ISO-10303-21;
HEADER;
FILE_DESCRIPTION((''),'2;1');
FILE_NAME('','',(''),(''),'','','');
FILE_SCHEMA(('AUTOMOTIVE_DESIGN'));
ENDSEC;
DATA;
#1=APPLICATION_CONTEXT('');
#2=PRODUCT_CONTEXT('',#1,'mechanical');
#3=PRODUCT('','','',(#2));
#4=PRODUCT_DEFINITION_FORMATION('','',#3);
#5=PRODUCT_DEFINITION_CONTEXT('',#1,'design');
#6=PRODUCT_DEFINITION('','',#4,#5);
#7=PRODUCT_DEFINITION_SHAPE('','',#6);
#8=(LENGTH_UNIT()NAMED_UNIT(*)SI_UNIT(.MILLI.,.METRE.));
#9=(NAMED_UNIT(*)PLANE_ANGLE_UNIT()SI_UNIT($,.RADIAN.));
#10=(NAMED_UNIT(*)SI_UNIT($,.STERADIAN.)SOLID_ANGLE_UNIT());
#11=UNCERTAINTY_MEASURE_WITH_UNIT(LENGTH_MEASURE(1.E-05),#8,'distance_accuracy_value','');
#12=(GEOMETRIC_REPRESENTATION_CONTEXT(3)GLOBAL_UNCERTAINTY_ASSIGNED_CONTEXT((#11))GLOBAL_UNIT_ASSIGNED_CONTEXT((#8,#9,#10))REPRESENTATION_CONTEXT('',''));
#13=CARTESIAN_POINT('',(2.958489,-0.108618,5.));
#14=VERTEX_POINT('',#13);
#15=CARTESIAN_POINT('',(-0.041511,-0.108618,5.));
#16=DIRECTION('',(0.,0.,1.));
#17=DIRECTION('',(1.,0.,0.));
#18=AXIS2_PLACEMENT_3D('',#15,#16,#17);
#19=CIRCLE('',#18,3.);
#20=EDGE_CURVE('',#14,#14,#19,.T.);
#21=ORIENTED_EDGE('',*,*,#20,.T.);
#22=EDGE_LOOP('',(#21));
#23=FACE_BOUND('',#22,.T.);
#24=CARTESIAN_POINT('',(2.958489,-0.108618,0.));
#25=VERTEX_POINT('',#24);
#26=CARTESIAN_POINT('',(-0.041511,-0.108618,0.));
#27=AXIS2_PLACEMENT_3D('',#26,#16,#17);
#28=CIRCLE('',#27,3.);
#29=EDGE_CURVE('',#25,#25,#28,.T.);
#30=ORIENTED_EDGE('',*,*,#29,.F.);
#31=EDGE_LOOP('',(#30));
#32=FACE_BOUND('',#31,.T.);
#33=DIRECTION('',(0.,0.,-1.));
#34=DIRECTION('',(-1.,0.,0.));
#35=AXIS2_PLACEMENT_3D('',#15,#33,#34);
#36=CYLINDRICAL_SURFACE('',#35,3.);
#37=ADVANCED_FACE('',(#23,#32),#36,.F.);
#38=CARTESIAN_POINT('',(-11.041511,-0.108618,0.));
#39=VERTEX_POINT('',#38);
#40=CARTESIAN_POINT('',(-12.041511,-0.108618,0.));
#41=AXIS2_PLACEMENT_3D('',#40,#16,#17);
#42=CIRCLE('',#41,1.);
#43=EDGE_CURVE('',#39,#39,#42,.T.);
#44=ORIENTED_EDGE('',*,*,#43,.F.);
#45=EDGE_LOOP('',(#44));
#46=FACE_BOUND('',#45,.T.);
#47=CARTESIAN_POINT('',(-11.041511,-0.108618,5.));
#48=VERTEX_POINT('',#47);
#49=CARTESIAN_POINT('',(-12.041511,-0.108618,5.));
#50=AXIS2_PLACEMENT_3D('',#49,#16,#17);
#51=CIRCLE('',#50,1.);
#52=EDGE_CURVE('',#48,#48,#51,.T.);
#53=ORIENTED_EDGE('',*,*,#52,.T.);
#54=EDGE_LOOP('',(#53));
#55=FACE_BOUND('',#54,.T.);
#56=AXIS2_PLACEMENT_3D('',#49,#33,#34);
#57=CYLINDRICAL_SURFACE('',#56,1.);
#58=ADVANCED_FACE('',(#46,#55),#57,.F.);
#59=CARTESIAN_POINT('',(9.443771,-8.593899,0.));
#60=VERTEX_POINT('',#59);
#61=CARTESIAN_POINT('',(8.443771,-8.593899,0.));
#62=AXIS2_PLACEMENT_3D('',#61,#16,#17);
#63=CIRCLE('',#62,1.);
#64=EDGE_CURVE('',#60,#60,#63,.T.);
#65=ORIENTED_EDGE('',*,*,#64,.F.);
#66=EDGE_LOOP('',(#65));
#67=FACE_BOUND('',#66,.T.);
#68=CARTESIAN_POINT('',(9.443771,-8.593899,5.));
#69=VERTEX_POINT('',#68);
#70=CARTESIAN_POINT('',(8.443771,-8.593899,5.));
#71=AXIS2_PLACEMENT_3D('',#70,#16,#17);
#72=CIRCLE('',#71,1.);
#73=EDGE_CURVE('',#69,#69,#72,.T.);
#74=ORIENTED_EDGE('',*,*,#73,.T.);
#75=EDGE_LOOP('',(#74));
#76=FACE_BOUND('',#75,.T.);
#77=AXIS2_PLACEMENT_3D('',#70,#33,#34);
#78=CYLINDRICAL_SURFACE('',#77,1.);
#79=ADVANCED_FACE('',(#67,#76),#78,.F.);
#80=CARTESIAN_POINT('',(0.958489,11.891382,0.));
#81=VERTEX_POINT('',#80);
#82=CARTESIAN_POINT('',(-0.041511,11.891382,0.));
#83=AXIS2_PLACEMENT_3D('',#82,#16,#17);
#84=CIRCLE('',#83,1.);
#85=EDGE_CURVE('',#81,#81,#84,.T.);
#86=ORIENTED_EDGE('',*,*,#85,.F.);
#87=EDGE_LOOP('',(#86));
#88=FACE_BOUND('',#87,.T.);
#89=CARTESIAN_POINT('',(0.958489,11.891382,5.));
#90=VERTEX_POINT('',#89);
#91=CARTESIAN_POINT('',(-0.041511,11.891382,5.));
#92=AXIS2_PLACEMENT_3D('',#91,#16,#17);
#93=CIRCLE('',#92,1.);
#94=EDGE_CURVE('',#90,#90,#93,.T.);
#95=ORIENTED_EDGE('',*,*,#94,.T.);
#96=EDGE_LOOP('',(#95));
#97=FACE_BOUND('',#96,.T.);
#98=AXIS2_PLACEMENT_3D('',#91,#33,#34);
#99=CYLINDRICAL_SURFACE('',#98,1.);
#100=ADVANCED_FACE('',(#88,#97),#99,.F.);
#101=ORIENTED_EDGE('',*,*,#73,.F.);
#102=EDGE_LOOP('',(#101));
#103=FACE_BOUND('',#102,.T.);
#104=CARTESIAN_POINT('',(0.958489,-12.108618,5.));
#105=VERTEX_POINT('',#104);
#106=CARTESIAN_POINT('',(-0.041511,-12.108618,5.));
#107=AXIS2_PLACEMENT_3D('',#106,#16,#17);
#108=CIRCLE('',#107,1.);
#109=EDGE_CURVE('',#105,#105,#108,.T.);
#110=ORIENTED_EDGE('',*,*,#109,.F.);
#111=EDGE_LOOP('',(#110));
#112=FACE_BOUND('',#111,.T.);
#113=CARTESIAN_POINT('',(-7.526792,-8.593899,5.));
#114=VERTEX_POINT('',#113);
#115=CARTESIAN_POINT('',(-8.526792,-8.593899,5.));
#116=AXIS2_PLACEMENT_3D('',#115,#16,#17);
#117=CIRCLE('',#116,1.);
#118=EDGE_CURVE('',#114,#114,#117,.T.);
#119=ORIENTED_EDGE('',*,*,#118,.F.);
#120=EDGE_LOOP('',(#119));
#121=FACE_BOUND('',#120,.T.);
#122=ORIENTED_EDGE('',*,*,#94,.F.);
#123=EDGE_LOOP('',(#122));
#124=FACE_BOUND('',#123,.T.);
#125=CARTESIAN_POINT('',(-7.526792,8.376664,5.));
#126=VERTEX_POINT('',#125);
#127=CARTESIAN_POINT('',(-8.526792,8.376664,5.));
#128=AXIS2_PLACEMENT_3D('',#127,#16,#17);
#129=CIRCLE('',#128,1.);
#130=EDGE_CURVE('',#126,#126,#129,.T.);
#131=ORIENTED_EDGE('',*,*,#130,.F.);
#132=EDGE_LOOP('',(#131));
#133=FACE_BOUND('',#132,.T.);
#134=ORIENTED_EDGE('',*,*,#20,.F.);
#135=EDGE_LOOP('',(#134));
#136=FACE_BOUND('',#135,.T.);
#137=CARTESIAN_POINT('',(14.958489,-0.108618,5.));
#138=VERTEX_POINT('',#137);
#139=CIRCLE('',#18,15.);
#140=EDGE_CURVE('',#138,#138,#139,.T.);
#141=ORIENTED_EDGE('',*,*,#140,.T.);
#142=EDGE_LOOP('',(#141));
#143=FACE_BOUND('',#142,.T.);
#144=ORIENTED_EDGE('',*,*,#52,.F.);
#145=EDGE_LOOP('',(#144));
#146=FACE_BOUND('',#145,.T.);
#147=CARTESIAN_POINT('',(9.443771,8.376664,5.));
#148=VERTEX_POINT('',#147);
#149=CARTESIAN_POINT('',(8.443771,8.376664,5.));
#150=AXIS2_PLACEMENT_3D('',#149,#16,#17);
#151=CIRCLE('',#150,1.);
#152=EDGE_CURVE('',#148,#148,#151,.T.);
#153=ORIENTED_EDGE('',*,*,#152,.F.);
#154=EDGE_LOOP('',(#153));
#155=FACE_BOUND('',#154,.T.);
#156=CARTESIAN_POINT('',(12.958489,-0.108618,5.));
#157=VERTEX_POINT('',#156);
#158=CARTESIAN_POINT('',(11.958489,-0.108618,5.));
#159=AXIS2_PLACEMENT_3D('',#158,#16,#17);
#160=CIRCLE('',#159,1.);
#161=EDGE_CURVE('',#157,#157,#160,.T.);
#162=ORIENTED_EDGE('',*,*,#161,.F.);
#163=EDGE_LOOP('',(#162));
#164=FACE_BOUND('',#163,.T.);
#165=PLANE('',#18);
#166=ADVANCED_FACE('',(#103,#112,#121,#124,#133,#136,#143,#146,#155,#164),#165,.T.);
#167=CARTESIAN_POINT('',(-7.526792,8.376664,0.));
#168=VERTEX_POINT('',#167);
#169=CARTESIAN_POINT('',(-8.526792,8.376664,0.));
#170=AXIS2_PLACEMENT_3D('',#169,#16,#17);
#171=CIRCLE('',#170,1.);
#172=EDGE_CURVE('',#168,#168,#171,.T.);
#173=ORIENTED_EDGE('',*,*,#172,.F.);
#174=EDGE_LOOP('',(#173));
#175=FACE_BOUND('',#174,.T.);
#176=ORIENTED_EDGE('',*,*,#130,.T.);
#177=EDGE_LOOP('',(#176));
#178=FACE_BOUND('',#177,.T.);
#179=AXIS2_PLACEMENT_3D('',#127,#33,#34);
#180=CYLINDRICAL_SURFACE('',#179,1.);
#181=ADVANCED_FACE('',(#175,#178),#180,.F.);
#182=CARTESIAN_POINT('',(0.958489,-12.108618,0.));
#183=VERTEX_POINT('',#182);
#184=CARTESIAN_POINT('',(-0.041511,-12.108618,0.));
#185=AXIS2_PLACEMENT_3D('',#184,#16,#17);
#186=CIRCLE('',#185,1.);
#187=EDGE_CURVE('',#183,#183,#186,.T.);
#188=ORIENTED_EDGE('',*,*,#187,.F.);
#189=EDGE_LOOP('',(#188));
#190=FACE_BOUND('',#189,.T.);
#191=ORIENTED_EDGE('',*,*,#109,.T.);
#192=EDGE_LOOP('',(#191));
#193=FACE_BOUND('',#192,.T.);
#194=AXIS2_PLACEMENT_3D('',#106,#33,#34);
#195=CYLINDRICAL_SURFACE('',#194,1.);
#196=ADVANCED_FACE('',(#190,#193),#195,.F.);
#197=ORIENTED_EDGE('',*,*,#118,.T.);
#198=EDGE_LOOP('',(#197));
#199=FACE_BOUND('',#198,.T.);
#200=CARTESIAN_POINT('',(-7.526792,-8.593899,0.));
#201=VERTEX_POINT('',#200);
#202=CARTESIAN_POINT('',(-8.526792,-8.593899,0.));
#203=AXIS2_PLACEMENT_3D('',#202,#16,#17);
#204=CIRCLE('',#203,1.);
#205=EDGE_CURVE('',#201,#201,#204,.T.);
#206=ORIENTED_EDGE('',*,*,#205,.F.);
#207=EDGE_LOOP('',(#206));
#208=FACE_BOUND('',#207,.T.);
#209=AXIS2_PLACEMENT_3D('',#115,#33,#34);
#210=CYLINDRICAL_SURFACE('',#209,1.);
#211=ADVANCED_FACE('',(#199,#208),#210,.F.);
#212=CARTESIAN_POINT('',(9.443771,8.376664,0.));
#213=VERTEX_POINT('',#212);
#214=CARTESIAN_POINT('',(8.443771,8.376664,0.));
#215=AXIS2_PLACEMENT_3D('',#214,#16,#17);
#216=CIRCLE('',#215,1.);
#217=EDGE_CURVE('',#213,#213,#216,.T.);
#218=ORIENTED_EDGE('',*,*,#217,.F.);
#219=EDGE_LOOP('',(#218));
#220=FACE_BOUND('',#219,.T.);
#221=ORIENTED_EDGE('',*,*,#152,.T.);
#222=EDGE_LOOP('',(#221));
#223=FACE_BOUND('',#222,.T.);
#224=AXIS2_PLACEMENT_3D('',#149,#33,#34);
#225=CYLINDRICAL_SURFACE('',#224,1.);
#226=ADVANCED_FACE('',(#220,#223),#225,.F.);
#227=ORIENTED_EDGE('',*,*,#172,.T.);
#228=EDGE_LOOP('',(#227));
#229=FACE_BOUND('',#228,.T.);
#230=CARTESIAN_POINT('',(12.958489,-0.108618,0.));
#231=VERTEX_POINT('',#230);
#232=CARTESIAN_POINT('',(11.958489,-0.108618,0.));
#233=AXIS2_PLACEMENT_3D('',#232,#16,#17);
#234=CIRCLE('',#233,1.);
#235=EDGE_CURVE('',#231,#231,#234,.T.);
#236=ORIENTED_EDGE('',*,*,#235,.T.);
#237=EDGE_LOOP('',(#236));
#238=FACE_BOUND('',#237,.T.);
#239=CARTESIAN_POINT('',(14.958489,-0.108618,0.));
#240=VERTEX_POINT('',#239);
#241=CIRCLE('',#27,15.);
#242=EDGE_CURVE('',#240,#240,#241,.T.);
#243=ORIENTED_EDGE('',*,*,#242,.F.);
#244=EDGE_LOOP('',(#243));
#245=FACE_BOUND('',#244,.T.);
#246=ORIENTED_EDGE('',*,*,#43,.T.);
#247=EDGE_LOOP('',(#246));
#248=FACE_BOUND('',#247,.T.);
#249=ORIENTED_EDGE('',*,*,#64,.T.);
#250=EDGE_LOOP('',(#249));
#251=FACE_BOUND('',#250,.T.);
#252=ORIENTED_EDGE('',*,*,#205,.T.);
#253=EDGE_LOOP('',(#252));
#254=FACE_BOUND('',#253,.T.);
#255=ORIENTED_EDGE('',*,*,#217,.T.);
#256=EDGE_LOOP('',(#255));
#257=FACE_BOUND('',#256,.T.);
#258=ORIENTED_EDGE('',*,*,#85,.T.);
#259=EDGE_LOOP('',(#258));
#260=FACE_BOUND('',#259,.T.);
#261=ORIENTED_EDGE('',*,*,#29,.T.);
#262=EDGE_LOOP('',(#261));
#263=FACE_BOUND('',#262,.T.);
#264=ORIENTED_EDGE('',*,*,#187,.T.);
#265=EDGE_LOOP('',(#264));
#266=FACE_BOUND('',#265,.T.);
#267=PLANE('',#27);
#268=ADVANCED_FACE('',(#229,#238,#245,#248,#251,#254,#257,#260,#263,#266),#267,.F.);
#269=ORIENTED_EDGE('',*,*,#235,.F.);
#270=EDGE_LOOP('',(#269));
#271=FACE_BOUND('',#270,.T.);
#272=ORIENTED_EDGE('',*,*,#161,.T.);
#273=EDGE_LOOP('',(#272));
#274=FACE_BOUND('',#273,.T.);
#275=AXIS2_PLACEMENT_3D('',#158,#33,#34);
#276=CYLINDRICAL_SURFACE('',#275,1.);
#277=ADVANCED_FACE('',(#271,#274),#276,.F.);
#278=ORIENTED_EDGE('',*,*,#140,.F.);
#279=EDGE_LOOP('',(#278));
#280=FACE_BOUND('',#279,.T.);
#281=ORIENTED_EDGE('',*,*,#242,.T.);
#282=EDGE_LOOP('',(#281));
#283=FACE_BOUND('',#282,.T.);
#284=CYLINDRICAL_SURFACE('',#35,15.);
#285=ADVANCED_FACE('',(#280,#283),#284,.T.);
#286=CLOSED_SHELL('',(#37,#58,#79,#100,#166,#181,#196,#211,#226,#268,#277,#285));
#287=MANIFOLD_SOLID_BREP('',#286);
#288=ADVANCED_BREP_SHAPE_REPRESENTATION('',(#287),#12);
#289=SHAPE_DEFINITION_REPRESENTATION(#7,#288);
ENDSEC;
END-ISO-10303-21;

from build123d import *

# Parameters (mm, degrees)
SKETCH1_R           = 15
SKETCH1_R_2         = 1
SKETCH1_R_3         = 1.000000019
SKETCH1_R_4         = 3
BOSS_EXTRUDE1_DEPTH = 5


with BuildPart() as part:
    # Sketch1 → Boss-Extrude1 (new body)
    with BuildSketch(Plane.XY):
        with Locations((-0.041510791, -0.108617644)):
            Circle(SKETCH1_R)
        with Locations((-0.041510791, 11.891382356)):
            Circle(SKETCH1_R_2, mode=Mode.SUBTRACT)
        with Locations((8.443770584, 8.37666373)):
            Circle(SKETCH1_R_2, mode=Mode.SUBTRACT)
        with Locations((11.958489209, -0.108617664)):
            Circle(SKETCH1_R_3, mode=Mode.SUBTRACT)
        with Locations((-0.041510791, -12.108617644)):
            Circle(SKETCH1_R_2, mode=Mode.SUBTRACT)
        with Locations((8.443770584, -8.593899018)):
            Circle(SKETCH1_R_2, mode=Mode.SUBTRACT)
        with Locations((-8.526792165, -8.593899018)):
            Circle(SKETCH1_R_2, mode=Mode.SUBTRACT)
        with Locations((-12.041510791, -0.108617644)):
            Circle(SKETCH1_R_2, mode=Mode.SUBTRACT)
        with Locations((-8.526792165, 8.37666373)):
            Circle(SKETCH1_R_2, mode=Mode.SUBTRACT)
        with Locations((-0.041510791, -0.108617644)):
            Circle(SKETCH1_R_4, mode=Mode.SUBTRACT)
    extrude(amount=BOSS_EXTRUDE1_DEPTH)


solid = part.part
